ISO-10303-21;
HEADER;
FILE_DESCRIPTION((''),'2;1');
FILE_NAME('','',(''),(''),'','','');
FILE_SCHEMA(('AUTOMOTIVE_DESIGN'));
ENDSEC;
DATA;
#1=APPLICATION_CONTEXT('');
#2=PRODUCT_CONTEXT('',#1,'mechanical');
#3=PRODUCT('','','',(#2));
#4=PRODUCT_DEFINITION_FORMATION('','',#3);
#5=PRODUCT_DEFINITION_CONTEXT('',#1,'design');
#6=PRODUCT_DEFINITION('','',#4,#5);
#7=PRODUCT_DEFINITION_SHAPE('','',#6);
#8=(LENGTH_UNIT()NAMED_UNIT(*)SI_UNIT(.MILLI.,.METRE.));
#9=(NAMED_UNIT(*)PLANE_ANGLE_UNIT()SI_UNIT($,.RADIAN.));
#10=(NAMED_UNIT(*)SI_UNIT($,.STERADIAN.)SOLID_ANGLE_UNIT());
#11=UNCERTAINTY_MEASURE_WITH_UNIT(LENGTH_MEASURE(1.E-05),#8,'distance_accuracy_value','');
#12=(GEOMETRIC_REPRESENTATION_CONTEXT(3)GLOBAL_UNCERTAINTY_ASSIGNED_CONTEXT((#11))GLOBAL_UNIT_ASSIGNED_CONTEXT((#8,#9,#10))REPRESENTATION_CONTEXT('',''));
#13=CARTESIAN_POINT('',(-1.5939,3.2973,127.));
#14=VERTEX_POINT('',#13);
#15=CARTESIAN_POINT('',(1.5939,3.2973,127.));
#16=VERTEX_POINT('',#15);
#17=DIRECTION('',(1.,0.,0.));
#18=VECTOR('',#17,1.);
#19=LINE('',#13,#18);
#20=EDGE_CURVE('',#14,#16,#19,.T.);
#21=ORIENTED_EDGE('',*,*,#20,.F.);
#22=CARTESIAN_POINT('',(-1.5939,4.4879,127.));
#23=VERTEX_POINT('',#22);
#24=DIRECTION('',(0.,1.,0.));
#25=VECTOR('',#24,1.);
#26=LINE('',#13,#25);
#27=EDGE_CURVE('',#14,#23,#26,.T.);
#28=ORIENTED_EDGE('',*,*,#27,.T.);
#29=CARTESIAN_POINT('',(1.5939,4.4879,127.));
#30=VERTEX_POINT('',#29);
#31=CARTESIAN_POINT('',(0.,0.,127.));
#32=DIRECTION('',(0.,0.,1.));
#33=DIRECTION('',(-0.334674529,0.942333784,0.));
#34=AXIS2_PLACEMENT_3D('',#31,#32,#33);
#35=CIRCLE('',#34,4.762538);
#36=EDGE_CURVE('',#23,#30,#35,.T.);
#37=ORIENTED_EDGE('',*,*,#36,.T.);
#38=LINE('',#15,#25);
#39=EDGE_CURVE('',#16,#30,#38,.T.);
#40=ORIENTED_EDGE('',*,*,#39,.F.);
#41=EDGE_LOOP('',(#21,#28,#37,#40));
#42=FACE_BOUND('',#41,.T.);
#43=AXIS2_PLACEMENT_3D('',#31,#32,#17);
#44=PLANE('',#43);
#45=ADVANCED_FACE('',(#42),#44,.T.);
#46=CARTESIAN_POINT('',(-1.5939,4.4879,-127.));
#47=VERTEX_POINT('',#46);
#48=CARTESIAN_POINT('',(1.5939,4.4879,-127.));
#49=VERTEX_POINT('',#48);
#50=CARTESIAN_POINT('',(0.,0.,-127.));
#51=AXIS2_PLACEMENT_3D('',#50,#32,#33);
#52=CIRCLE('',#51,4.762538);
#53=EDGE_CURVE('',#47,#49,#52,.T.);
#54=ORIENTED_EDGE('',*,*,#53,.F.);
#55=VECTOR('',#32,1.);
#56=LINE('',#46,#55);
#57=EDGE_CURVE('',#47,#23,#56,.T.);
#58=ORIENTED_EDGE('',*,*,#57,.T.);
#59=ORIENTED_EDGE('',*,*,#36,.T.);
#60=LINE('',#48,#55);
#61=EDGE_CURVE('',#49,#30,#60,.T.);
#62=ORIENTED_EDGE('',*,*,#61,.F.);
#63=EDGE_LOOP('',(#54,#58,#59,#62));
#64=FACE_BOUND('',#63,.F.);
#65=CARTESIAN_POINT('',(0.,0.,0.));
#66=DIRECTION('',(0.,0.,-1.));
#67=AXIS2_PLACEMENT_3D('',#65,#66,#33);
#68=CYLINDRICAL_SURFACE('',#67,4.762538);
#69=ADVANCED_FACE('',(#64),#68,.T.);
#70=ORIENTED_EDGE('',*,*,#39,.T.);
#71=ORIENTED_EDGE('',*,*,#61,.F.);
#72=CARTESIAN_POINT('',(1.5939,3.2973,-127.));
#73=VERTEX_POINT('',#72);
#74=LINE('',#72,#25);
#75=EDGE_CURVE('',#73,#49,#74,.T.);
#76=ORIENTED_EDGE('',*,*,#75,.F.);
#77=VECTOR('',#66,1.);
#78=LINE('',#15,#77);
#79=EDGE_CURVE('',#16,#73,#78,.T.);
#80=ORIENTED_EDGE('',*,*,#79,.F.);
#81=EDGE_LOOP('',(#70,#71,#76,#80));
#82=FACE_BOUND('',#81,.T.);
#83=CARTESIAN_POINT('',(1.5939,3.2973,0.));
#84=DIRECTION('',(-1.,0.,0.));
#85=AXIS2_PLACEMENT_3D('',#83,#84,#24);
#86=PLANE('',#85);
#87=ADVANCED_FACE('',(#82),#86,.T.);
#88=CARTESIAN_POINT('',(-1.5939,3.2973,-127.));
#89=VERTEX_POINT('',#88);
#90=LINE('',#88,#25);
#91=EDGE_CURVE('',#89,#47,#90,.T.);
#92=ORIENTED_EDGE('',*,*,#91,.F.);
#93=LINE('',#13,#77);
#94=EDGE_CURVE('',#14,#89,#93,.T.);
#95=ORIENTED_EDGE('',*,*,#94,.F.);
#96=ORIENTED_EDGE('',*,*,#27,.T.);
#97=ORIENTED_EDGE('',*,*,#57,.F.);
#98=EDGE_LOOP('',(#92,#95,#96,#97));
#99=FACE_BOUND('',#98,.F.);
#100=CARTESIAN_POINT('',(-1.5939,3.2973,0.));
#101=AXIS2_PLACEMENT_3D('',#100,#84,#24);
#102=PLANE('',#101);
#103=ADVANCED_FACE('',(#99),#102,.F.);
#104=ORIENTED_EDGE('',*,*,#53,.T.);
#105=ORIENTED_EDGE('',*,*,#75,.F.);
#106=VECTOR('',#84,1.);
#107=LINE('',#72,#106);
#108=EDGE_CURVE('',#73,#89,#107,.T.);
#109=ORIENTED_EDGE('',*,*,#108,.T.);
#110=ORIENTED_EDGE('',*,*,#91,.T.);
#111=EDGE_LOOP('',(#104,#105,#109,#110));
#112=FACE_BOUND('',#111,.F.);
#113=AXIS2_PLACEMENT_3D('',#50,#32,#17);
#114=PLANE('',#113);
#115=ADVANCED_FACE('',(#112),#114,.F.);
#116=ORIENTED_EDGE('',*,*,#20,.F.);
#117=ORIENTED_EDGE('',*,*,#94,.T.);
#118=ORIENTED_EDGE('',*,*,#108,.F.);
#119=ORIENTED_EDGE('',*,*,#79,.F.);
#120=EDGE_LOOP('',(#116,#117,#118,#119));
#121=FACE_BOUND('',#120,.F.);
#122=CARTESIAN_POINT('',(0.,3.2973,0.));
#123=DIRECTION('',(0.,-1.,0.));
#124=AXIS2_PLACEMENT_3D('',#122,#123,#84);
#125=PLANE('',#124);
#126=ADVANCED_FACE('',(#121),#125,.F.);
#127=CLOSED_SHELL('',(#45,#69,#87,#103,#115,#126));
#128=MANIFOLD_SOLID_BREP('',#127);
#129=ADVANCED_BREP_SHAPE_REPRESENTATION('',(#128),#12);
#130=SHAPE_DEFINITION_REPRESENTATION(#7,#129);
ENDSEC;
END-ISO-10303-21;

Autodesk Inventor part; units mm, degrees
ref_plane "YZ Plane" through (0, 0, 0) normal (1, 0, 0) x (0, 1, 0)
ref_plane "XZ Plane" through (0, 0, 0) normal (0, 1, 0) x (-1, 0, 0)
sketch "Sketch1" plane through (0, 0, 0) normal (0, 0, 1) x (1, 0, 0)
  arc A0 (-1.5939, 4.4879) -> (1.5939, 4.4879) centre (0, 0) ccw
  line L0 (0, 3.2973) -> (1.5939, 3.2973)
  line L1 (1.5939, 3.2973) -> (1.5939, 4.4879)
  line L2 (0, 4.7625) -> (0, 3.2973) construction
  line L3 (0, 3.2973) -> (-1.5939, 3.2973)
  line L4 (-1.5939, 3.2973) -> (-1.5939, 4.4879)
  dimension "d0" = 9.525
  dimension "d1" = 1.1906
  dimension "d2" = 1.5939
extrude "Extrusion1" add sketch "Sketch1" along normal mid plane 254
properties part number "10x3_8-keyedDriveShaft" material "Aluminum 6061"
